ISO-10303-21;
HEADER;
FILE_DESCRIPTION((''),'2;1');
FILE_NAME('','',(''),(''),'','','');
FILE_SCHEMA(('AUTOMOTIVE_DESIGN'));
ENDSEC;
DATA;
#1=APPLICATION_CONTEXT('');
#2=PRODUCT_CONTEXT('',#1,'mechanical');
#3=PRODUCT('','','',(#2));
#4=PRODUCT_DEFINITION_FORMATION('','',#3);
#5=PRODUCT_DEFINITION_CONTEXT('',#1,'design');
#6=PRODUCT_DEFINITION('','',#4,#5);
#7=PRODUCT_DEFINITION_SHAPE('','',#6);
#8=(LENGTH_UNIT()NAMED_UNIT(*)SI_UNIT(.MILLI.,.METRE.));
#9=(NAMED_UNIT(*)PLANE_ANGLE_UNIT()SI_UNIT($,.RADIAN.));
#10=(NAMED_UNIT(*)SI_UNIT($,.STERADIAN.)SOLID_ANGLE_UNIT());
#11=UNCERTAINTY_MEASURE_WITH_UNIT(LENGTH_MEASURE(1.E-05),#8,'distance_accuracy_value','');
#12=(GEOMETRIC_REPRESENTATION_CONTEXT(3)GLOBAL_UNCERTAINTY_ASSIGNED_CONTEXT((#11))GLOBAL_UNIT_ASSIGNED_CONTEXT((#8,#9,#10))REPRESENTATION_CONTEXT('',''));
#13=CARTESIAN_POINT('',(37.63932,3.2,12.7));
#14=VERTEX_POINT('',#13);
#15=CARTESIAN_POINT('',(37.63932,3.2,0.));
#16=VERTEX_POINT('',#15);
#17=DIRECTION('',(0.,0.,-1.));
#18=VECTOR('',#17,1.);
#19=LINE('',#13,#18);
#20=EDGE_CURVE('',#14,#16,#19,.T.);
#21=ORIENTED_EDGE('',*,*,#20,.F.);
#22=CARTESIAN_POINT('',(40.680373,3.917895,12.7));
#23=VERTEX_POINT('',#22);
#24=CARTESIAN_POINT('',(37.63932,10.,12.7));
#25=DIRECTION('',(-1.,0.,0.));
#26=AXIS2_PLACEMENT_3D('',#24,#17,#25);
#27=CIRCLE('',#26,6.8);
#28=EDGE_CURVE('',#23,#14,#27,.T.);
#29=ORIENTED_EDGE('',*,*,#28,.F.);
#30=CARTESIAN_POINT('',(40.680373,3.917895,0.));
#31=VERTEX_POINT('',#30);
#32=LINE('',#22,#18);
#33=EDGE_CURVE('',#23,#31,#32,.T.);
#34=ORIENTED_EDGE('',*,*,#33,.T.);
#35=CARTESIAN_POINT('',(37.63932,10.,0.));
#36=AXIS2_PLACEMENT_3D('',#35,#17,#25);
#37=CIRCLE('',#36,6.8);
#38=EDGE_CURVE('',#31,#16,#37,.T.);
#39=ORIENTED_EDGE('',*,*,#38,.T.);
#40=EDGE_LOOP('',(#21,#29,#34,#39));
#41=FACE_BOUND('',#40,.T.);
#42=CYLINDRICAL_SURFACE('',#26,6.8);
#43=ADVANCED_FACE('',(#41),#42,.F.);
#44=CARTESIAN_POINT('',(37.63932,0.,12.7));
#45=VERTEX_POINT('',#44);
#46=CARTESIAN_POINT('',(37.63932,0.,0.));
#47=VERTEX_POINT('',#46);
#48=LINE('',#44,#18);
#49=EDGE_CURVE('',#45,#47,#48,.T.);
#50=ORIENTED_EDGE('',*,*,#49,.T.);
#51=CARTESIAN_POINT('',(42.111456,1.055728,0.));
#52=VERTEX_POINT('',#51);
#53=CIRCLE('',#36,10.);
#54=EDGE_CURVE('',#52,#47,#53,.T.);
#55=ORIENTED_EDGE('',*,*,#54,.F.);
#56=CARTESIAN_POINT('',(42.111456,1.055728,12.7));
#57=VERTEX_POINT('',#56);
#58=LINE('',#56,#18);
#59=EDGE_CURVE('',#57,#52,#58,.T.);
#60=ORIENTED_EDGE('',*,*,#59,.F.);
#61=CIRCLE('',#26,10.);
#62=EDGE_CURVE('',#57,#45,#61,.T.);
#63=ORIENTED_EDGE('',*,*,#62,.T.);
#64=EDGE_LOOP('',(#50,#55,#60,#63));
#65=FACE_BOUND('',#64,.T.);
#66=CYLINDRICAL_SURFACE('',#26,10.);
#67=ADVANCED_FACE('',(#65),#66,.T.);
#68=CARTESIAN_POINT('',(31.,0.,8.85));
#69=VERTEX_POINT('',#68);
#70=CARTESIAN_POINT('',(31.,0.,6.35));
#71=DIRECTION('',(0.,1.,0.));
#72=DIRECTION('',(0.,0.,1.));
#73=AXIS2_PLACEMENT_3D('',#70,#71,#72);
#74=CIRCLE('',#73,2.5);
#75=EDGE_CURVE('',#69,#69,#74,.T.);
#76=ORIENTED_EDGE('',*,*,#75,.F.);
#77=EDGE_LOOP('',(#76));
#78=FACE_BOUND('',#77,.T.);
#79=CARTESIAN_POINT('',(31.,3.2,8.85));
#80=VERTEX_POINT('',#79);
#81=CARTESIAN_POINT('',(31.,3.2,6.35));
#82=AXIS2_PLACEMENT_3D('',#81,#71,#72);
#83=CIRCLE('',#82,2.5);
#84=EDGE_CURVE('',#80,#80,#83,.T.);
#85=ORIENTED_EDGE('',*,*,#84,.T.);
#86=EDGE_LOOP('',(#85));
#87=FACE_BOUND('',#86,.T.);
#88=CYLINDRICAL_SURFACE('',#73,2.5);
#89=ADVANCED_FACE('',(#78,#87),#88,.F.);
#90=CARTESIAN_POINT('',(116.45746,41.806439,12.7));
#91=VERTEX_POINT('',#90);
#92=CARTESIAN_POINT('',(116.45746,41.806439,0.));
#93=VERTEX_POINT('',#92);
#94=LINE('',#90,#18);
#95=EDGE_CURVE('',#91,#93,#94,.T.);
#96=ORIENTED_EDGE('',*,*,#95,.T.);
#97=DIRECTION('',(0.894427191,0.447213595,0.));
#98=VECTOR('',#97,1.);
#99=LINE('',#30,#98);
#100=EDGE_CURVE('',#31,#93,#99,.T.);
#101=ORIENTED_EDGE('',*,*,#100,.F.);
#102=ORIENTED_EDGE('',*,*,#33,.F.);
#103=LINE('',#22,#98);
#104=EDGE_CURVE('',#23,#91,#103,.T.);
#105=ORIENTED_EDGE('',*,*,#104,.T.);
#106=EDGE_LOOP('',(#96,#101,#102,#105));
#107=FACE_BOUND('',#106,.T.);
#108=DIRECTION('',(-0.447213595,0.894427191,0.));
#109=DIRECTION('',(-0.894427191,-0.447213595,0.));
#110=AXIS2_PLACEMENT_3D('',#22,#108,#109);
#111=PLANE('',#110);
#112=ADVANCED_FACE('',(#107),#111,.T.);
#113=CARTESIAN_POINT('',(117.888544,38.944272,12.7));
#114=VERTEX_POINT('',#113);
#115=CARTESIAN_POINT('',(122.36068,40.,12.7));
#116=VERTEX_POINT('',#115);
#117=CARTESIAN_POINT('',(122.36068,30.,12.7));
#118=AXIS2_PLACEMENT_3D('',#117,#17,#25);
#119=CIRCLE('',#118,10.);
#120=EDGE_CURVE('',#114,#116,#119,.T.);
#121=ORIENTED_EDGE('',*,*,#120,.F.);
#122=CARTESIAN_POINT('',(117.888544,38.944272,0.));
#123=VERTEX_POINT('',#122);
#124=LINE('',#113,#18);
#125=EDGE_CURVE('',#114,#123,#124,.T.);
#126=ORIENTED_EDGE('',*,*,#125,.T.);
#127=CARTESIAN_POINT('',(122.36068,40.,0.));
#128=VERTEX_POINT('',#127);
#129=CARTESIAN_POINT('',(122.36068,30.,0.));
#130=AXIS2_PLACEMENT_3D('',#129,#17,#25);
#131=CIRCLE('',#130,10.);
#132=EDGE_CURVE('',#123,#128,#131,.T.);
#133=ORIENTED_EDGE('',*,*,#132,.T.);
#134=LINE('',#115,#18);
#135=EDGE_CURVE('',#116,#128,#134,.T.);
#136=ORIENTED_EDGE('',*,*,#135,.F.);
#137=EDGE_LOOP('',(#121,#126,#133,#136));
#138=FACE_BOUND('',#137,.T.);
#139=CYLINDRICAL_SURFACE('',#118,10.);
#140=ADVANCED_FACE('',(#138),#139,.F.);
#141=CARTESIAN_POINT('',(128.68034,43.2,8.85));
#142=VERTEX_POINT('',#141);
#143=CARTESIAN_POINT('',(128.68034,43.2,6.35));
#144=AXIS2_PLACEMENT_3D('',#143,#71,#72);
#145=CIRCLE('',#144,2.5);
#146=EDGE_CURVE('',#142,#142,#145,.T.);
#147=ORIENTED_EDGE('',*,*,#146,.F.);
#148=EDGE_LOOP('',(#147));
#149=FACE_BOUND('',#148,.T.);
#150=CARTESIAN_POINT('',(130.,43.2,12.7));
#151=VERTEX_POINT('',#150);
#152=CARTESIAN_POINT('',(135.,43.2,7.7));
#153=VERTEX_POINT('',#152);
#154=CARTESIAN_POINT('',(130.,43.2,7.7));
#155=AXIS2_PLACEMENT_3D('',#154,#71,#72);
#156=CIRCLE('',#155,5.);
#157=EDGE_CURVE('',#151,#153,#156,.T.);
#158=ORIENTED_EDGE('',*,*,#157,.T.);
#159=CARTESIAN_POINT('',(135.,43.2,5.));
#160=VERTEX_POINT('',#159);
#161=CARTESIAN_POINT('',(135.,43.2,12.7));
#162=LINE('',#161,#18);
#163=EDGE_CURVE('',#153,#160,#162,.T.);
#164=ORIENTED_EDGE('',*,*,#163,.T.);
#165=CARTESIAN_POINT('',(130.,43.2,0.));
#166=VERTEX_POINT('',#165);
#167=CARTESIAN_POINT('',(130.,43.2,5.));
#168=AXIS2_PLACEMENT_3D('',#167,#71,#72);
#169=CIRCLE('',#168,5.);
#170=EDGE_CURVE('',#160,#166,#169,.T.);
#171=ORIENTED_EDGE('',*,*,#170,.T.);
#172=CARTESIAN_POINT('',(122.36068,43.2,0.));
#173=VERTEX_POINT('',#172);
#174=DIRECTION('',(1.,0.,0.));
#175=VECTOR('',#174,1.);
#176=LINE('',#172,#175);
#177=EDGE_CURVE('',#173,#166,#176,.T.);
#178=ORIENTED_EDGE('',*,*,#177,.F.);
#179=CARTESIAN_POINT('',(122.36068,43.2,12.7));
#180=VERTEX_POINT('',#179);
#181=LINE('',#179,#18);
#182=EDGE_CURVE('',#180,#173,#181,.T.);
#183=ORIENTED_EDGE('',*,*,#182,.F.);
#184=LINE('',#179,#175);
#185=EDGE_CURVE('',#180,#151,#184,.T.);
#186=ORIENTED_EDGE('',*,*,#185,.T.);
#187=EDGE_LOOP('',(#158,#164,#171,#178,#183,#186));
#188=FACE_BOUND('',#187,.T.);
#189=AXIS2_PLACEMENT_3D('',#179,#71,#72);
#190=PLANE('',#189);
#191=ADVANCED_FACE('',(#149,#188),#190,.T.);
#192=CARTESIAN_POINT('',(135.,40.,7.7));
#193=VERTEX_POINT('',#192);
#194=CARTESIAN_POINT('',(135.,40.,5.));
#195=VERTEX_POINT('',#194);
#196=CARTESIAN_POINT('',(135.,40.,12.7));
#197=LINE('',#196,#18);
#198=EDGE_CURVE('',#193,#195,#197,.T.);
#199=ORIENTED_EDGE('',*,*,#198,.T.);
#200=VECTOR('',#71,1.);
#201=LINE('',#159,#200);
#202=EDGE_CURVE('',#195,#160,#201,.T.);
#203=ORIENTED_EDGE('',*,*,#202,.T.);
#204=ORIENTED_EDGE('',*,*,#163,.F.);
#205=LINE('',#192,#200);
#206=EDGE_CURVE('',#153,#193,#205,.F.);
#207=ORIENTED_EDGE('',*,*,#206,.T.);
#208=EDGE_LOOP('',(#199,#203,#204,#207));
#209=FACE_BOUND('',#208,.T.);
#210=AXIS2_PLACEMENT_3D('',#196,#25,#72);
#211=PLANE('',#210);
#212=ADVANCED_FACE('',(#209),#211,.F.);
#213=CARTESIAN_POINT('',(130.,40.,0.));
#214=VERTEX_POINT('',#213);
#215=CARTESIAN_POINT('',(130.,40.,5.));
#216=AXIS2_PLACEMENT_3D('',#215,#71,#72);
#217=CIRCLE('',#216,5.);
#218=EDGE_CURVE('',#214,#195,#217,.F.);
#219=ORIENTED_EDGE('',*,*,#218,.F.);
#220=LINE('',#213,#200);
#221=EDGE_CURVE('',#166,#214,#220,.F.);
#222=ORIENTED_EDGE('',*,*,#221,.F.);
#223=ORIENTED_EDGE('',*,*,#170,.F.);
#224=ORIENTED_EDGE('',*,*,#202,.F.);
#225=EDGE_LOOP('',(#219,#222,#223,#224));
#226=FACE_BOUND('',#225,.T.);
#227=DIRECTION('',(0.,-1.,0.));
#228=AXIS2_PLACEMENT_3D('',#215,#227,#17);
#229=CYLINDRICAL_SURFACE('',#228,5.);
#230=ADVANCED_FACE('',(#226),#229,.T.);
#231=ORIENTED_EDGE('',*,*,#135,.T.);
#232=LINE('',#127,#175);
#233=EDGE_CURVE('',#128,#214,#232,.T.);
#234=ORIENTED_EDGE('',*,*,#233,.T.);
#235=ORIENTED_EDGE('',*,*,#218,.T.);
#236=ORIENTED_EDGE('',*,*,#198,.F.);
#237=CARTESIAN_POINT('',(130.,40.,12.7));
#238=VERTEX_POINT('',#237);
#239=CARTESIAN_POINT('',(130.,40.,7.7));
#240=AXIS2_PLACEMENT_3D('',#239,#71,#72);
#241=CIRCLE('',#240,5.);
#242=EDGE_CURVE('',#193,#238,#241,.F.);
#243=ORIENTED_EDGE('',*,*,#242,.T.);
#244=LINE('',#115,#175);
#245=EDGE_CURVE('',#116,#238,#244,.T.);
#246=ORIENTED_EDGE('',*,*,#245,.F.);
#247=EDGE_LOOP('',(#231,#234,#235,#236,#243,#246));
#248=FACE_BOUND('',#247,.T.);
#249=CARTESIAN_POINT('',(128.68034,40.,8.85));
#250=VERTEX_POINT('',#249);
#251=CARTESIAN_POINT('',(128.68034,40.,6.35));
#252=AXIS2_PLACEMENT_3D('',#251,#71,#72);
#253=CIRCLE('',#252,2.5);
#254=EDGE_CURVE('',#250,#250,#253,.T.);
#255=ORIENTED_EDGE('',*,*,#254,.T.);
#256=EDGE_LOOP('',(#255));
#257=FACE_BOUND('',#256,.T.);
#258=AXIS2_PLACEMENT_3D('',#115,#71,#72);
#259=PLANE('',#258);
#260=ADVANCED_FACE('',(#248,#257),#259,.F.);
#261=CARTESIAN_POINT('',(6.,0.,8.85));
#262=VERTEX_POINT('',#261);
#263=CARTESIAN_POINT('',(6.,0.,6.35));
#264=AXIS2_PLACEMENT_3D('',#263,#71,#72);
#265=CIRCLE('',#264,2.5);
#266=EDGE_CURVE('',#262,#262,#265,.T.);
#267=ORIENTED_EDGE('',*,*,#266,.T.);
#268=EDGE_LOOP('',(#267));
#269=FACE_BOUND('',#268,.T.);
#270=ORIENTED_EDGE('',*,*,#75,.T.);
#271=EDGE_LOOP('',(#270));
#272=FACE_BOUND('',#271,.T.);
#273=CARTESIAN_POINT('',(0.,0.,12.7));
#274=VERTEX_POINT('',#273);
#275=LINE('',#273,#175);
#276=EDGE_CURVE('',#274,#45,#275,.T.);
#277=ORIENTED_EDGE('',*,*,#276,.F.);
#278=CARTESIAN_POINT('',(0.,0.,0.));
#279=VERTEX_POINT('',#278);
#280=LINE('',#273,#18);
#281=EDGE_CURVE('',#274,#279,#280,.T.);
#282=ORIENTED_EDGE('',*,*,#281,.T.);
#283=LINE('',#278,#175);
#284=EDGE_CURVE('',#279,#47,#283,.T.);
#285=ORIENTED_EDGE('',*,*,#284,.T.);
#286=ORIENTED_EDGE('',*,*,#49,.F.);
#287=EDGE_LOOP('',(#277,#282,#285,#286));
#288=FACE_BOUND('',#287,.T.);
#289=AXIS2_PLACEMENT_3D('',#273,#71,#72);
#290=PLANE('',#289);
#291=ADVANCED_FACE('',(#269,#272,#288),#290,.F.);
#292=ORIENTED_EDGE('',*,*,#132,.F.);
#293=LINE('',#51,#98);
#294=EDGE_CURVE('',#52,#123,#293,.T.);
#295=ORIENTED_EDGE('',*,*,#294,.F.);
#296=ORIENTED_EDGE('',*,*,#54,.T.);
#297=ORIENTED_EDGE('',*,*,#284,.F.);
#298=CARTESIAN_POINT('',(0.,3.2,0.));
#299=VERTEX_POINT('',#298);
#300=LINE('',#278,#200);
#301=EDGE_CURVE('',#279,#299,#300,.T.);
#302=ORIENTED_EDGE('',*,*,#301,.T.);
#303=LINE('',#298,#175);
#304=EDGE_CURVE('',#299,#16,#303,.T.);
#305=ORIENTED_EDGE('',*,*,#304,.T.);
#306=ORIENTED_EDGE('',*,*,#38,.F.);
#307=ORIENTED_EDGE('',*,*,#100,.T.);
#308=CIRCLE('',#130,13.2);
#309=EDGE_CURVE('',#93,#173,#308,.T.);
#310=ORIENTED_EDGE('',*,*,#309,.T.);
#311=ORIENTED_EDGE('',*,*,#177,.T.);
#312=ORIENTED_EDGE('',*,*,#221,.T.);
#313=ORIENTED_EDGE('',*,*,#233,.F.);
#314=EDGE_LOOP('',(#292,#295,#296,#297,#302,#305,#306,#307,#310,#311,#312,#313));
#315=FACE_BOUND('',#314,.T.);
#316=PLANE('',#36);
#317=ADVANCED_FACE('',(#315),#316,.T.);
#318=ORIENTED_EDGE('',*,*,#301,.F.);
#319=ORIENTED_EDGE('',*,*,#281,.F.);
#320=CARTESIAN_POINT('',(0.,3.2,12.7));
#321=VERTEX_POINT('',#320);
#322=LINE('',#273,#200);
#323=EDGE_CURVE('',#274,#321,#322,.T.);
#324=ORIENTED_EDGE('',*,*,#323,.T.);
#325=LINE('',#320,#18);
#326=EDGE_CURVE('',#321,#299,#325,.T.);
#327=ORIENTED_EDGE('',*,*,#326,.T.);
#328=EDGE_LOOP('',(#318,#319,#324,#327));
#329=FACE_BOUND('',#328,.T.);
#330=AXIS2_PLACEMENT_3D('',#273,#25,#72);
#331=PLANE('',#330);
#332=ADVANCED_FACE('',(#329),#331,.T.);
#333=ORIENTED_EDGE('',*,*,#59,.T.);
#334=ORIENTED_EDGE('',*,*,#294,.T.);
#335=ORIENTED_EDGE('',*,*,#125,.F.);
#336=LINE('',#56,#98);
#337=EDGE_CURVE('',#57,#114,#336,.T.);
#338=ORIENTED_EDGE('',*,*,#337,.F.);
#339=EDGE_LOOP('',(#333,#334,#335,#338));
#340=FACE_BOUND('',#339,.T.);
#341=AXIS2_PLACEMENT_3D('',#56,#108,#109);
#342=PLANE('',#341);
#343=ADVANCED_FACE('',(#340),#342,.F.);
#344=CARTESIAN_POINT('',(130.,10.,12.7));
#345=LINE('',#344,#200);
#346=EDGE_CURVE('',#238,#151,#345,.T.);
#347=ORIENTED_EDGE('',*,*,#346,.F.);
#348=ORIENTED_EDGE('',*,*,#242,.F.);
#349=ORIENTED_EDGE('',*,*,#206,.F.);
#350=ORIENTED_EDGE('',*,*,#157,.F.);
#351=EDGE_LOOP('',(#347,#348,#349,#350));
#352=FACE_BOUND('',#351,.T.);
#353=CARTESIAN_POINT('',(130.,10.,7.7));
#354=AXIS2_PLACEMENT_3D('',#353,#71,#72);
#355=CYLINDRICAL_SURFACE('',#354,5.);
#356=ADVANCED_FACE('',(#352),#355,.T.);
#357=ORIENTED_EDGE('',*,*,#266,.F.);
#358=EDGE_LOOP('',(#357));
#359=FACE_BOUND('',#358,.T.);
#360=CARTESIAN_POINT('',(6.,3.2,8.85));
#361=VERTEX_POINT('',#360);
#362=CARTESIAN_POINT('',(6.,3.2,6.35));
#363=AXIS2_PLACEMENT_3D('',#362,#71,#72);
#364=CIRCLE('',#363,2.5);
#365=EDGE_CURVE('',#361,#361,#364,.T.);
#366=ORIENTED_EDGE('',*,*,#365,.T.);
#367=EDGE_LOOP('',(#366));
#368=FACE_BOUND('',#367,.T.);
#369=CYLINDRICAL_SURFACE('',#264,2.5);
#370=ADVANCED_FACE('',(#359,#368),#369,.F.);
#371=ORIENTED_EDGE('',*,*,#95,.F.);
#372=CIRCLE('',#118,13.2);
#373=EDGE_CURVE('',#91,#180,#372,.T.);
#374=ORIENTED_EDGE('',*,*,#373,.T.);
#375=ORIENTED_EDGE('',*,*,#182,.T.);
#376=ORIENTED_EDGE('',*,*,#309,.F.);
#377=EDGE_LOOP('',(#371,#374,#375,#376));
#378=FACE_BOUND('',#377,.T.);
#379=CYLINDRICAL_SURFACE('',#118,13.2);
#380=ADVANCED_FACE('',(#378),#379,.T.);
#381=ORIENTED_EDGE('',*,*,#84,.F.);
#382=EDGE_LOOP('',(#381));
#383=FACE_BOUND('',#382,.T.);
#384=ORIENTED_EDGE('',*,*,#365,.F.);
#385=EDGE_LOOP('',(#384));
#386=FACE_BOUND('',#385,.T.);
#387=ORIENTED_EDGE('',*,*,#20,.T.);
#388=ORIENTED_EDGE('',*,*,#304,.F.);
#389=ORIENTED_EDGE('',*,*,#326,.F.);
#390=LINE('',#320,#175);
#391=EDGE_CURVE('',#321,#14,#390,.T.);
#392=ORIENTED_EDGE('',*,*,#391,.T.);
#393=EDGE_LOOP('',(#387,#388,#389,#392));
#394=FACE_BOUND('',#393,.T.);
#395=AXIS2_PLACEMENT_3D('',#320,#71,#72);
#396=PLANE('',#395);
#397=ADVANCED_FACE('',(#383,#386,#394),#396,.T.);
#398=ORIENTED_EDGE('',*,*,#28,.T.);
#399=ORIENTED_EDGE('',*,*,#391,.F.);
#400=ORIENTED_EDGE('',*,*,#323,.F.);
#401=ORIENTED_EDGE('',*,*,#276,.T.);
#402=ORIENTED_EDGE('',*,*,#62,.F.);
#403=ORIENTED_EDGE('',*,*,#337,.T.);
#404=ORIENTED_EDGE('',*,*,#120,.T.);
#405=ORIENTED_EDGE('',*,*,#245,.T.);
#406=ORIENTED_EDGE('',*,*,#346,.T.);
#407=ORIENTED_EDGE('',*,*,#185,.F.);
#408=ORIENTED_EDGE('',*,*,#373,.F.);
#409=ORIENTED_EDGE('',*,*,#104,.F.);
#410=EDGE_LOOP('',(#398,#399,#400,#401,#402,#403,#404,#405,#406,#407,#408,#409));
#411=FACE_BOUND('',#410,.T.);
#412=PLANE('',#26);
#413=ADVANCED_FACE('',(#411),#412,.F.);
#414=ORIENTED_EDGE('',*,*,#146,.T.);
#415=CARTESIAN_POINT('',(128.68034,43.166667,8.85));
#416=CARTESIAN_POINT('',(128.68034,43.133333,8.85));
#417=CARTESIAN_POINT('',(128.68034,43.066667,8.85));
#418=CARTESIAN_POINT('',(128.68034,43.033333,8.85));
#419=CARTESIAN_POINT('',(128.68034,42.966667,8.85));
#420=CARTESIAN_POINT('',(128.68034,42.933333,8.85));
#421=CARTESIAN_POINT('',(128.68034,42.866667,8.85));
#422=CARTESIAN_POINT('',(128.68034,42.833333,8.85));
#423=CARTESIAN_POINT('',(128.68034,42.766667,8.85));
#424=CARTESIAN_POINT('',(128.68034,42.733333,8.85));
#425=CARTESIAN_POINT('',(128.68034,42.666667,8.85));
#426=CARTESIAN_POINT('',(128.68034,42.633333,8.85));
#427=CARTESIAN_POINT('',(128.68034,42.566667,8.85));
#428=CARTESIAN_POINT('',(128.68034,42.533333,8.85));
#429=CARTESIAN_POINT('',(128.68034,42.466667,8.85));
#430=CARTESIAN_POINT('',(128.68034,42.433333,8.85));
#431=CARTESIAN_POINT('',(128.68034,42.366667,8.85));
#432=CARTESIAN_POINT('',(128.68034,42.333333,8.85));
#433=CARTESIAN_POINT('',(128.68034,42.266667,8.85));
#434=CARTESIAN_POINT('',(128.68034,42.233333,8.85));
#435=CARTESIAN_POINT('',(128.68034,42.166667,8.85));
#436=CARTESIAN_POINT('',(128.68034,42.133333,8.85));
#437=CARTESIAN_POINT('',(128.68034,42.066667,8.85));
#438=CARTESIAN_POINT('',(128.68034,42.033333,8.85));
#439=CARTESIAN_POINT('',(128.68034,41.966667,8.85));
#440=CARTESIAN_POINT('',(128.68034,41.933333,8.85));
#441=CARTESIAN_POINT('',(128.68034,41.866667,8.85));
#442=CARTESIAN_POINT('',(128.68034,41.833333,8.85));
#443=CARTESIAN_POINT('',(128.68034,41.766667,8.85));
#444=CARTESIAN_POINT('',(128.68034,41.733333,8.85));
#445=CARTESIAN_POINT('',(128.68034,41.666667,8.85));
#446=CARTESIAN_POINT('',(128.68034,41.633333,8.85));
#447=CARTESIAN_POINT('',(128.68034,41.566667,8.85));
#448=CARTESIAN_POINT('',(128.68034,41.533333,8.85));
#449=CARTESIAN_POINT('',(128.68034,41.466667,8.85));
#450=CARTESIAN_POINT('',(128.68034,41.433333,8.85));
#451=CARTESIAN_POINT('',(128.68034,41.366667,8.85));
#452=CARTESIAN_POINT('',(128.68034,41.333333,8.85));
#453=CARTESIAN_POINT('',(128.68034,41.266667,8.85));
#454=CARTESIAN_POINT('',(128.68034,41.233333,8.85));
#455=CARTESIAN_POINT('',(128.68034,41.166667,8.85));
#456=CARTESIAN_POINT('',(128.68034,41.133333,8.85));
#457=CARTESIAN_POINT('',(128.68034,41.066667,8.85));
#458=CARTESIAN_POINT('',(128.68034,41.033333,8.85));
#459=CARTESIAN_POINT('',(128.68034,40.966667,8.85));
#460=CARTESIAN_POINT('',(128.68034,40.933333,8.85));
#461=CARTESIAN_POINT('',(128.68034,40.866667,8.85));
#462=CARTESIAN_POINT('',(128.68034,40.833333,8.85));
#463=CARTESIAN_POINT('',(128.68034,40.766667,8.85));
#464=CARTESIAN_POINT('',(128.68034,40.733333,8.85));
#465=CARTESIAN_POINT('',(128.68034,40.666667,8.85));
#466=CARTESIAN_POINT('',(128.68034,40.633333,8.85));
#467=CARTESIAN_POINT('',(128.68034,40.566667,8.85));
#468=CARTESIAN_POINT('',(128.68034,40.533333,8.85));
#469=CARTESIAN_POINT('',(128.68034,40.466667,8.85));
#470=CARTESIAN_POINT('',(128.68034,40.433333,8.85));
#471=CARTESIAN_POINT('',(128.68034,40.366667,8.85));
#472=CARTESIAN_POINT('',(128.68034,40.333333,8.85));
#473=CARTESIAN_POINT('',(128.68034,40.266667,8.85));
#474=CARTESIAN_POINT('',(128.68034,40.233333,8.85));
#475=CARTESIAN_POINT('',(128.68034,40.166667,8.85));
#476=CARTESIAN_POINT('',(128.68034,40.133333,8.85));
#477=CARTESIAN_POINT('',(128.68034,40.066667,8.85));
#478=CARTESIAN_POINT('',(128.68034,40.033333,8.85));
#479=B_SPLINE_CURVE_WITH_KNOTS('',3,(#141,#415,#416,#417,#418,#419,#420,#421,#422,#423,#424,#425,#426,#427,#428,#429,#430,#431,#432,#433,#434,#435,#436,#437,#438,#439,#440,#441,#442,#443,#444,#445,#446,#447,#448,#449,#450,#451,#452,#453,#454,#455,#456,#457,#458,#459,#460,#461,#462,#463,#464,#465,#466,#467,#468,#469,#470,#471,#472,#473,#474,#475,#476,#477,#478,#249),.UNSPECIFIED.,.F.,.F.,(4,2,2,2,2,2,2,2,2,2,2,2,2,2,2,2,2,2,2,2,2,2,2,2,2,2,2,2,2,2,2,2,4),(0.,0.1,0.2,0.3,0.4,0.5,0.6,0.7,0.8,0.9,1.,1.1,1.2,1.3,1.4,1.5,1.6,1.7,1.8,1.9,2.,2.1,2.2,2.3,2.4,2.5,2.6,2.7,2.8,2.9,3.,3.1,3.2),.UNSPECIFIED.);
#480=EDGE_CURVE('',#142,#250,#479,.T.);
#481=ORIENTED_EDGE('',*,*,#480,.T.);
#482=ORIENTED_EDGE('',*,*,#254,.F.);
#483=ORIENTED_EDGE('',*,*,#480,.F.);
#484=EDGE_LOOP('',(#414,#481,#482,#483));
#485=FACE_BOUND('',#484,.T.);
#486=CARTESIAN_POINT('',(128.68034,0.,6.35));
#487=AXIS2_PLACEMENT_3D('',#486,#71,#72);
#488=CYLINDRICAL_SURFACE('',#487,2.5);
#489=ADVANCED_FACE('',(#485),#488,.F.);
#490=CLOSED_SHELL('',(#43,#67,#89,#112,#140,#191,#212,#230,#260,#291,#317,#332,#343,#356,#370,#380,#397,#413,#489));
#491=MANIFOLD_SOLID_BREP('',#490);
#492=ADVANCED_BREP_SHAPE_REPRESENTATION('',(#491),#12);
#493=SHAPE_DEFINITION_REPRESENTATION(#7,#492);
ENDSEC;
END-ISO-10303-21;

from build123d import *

# Parameters (mm, degrees)
RESSALTO_EXTRUS_O1_DEPTH = 12.7
ESBO_O2_R                = 2.5
CORTE_EXTRUS_O1_DEPTH    = 142.372875758
ESBO_O3_R                = 2.5
CORTE_EXTRUS_O2_DEPTH    = 143.311383944
FILETE1_R                = 5
FILETE2_R                = 5


with BuildPart() as part:
    # Esboço1 → Ressalto-extrusão1 (new body)
    with BuildSketch(Plane.XY):
        with BuildLine():
            Line((0, 0), (37.639320225, 0))
            ThreePointArc((37.639320225, 0), (39.93684943, 0.267510105), (42.11145618, 1.05572809))
            Line((42.11145618, 1.05572809), (117.88854382, 38.94427191))
            ThreePointArc((117.88854382, 38.94427191), (120.06315057, 39.732489895), (122.360679775, 40))
            Line((122.360679775, 40), (135, 40))
            Line((135, 40), (135, 43.2))
            Line((135, 43.2), (122.360679775, 43.2))
            ThreePointArc((122.360679775, 43.2), (119.327941224, 42.846886661), (116.457460314, 41.806438921))
            Line((116.457460314, 41.806438921), (40.680372674, 3.917895101))
            ThreePointArc((40.680372674, 3.917895101), (39.201640085, 3.381906872), (37.639320225, 3.2))
            Line((37.639320225, 3.2), (0, 3.2))
            Line((0, 3.2), (0, 0))
        make_face()
    extrude(amount=RESSALTO_EXTRUS_O1_DEPTH)

    # Esboço2 → Corte-extrusão1 (cut, through all)
    with BuildSketch(Plane(origin=(0, 3.2, 0), x_dir=(1, 0, 0), z_dir=(0, 1, 0))):
        with Locations(Location((6, -6.35, 0), (0, 0, 270))):
            Circle(ESBO_O2_R)
        with Locations(Location((31, -6.35, 0), (0, 0, 270))):
            Circle(ESBO_O2_R)
    extrude(amount=-CORTE_EXTRUS_O1_DEPTH, mode=Mode.SUBTRACT)

    # Esboço3 → Corte-extrusão2 (cut, through all)
    with BuildSketch(Plane(origin=(0, 43.2, 0), x_dir=(1, 0, 0), z_dir=(0, 1, 0))):
        with Locations(Location((128.680339887, -6.35, 0), (0, 0, 270))):
            Circle(ESBO_O3_R)
    extrude(amount=-CORTE_EXTRUS_O2_DEPTH, mode=Mode.SUBTRACT)

    # Filete1
    filete1_edges = [part.edges().sort_by_distance(p)[0] for p in [
        (135, 41.6, 12.7),
    ]]
    fillet(filete1_edges, radius=FILETE1_R)

    # Filete2
    filete2_edges = [part.edges().sort_by_distance(p)[0] for p in [
        (135, 41.6, 0),
    ]]
    fillet(filete2_edges, radius=FILETE2_R)


solid = part.part
